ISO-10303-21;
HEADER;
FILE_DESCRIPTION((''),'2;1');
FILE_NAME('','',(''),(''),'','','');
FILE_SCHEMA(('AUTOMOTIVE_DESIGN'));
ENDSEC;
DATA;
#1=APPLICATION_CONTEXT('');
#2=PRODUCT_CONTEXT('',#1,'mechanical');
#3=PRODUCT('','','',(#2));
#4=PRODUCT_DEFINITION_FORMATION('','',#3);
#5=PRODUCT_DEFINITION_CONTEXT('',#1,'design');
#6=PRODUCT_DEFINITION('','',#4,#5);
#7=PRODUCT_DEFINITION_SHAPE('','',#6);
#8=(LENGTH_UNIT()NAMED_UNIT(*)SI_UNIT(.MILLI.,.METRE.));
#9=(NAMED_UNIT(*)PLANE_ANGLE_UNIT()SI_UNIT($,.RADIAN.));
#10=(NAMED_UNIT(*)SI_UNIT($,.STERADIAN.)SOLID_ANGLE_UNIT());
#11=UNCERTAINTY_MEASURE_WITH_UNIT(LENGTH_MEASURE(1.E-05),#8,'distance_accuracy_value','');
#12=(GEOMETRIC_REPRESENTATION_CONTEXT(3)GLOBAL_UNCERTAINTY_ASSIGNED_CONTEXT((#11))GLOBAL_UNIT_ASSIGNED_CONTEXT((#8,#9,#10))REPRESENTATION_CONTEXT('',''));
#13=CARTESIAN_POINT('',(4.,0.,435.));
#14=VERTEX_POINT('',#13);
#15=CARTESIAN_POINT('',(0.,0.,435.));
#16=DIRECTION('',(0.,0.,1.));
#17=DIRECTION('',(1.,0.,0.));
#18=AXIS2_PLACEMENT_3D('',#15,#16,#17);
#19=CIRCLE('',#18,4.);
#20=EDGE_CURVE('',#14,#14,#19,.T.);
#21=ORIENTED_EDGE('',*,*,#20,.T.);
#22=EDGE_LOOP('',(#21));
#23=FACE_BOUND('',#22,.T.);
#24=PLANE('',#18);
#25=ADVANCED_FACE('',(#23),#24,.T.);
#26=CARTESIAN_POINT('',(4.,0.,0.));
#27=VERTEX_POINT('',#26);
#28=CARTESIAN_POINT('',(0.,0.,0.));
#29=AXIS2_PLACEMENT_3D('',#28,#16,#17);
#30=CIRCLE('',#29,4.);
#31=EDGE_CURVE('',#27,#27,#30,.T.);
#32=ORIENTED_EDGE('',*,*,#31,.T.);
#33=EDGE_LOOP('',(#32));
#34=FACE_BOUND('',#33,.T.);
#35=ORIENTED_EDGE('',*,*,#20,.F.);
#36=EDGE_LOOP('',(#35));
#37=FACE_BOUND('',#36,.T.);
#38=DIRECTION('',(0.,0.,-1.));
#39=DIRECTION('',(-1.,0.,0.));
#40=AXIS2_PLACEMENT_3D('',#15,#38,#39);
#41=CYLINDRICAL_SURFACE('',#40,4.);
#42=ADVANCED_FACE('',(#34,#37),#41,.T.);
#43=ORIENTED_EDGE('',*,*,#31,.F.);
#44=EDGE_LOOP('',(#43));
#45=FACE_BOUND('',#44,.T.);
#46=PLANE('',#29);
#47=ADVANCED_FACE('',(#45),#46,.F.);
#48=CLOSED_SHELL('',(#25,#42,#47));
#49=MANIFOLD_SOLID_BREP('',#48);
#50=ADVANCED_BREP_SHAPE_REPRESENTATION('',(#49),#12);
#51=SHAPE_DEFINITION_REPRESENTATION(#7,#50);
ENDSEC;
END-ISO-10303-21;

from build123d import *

# Parameters (mm, degrees)
SKETCH1_R           = 4
BOSS_EXTRUDE1_DEPTH = 435


with BuildPart() as part:
    # Sketch1 → Boss-Extrude1 (new body)
    with BuildSketch(Plane.XY):
        Circle(SKETCH1_R)
    extrude(amount=BOSS_EXTRUDE1_DEPTH)


solid = part.part
